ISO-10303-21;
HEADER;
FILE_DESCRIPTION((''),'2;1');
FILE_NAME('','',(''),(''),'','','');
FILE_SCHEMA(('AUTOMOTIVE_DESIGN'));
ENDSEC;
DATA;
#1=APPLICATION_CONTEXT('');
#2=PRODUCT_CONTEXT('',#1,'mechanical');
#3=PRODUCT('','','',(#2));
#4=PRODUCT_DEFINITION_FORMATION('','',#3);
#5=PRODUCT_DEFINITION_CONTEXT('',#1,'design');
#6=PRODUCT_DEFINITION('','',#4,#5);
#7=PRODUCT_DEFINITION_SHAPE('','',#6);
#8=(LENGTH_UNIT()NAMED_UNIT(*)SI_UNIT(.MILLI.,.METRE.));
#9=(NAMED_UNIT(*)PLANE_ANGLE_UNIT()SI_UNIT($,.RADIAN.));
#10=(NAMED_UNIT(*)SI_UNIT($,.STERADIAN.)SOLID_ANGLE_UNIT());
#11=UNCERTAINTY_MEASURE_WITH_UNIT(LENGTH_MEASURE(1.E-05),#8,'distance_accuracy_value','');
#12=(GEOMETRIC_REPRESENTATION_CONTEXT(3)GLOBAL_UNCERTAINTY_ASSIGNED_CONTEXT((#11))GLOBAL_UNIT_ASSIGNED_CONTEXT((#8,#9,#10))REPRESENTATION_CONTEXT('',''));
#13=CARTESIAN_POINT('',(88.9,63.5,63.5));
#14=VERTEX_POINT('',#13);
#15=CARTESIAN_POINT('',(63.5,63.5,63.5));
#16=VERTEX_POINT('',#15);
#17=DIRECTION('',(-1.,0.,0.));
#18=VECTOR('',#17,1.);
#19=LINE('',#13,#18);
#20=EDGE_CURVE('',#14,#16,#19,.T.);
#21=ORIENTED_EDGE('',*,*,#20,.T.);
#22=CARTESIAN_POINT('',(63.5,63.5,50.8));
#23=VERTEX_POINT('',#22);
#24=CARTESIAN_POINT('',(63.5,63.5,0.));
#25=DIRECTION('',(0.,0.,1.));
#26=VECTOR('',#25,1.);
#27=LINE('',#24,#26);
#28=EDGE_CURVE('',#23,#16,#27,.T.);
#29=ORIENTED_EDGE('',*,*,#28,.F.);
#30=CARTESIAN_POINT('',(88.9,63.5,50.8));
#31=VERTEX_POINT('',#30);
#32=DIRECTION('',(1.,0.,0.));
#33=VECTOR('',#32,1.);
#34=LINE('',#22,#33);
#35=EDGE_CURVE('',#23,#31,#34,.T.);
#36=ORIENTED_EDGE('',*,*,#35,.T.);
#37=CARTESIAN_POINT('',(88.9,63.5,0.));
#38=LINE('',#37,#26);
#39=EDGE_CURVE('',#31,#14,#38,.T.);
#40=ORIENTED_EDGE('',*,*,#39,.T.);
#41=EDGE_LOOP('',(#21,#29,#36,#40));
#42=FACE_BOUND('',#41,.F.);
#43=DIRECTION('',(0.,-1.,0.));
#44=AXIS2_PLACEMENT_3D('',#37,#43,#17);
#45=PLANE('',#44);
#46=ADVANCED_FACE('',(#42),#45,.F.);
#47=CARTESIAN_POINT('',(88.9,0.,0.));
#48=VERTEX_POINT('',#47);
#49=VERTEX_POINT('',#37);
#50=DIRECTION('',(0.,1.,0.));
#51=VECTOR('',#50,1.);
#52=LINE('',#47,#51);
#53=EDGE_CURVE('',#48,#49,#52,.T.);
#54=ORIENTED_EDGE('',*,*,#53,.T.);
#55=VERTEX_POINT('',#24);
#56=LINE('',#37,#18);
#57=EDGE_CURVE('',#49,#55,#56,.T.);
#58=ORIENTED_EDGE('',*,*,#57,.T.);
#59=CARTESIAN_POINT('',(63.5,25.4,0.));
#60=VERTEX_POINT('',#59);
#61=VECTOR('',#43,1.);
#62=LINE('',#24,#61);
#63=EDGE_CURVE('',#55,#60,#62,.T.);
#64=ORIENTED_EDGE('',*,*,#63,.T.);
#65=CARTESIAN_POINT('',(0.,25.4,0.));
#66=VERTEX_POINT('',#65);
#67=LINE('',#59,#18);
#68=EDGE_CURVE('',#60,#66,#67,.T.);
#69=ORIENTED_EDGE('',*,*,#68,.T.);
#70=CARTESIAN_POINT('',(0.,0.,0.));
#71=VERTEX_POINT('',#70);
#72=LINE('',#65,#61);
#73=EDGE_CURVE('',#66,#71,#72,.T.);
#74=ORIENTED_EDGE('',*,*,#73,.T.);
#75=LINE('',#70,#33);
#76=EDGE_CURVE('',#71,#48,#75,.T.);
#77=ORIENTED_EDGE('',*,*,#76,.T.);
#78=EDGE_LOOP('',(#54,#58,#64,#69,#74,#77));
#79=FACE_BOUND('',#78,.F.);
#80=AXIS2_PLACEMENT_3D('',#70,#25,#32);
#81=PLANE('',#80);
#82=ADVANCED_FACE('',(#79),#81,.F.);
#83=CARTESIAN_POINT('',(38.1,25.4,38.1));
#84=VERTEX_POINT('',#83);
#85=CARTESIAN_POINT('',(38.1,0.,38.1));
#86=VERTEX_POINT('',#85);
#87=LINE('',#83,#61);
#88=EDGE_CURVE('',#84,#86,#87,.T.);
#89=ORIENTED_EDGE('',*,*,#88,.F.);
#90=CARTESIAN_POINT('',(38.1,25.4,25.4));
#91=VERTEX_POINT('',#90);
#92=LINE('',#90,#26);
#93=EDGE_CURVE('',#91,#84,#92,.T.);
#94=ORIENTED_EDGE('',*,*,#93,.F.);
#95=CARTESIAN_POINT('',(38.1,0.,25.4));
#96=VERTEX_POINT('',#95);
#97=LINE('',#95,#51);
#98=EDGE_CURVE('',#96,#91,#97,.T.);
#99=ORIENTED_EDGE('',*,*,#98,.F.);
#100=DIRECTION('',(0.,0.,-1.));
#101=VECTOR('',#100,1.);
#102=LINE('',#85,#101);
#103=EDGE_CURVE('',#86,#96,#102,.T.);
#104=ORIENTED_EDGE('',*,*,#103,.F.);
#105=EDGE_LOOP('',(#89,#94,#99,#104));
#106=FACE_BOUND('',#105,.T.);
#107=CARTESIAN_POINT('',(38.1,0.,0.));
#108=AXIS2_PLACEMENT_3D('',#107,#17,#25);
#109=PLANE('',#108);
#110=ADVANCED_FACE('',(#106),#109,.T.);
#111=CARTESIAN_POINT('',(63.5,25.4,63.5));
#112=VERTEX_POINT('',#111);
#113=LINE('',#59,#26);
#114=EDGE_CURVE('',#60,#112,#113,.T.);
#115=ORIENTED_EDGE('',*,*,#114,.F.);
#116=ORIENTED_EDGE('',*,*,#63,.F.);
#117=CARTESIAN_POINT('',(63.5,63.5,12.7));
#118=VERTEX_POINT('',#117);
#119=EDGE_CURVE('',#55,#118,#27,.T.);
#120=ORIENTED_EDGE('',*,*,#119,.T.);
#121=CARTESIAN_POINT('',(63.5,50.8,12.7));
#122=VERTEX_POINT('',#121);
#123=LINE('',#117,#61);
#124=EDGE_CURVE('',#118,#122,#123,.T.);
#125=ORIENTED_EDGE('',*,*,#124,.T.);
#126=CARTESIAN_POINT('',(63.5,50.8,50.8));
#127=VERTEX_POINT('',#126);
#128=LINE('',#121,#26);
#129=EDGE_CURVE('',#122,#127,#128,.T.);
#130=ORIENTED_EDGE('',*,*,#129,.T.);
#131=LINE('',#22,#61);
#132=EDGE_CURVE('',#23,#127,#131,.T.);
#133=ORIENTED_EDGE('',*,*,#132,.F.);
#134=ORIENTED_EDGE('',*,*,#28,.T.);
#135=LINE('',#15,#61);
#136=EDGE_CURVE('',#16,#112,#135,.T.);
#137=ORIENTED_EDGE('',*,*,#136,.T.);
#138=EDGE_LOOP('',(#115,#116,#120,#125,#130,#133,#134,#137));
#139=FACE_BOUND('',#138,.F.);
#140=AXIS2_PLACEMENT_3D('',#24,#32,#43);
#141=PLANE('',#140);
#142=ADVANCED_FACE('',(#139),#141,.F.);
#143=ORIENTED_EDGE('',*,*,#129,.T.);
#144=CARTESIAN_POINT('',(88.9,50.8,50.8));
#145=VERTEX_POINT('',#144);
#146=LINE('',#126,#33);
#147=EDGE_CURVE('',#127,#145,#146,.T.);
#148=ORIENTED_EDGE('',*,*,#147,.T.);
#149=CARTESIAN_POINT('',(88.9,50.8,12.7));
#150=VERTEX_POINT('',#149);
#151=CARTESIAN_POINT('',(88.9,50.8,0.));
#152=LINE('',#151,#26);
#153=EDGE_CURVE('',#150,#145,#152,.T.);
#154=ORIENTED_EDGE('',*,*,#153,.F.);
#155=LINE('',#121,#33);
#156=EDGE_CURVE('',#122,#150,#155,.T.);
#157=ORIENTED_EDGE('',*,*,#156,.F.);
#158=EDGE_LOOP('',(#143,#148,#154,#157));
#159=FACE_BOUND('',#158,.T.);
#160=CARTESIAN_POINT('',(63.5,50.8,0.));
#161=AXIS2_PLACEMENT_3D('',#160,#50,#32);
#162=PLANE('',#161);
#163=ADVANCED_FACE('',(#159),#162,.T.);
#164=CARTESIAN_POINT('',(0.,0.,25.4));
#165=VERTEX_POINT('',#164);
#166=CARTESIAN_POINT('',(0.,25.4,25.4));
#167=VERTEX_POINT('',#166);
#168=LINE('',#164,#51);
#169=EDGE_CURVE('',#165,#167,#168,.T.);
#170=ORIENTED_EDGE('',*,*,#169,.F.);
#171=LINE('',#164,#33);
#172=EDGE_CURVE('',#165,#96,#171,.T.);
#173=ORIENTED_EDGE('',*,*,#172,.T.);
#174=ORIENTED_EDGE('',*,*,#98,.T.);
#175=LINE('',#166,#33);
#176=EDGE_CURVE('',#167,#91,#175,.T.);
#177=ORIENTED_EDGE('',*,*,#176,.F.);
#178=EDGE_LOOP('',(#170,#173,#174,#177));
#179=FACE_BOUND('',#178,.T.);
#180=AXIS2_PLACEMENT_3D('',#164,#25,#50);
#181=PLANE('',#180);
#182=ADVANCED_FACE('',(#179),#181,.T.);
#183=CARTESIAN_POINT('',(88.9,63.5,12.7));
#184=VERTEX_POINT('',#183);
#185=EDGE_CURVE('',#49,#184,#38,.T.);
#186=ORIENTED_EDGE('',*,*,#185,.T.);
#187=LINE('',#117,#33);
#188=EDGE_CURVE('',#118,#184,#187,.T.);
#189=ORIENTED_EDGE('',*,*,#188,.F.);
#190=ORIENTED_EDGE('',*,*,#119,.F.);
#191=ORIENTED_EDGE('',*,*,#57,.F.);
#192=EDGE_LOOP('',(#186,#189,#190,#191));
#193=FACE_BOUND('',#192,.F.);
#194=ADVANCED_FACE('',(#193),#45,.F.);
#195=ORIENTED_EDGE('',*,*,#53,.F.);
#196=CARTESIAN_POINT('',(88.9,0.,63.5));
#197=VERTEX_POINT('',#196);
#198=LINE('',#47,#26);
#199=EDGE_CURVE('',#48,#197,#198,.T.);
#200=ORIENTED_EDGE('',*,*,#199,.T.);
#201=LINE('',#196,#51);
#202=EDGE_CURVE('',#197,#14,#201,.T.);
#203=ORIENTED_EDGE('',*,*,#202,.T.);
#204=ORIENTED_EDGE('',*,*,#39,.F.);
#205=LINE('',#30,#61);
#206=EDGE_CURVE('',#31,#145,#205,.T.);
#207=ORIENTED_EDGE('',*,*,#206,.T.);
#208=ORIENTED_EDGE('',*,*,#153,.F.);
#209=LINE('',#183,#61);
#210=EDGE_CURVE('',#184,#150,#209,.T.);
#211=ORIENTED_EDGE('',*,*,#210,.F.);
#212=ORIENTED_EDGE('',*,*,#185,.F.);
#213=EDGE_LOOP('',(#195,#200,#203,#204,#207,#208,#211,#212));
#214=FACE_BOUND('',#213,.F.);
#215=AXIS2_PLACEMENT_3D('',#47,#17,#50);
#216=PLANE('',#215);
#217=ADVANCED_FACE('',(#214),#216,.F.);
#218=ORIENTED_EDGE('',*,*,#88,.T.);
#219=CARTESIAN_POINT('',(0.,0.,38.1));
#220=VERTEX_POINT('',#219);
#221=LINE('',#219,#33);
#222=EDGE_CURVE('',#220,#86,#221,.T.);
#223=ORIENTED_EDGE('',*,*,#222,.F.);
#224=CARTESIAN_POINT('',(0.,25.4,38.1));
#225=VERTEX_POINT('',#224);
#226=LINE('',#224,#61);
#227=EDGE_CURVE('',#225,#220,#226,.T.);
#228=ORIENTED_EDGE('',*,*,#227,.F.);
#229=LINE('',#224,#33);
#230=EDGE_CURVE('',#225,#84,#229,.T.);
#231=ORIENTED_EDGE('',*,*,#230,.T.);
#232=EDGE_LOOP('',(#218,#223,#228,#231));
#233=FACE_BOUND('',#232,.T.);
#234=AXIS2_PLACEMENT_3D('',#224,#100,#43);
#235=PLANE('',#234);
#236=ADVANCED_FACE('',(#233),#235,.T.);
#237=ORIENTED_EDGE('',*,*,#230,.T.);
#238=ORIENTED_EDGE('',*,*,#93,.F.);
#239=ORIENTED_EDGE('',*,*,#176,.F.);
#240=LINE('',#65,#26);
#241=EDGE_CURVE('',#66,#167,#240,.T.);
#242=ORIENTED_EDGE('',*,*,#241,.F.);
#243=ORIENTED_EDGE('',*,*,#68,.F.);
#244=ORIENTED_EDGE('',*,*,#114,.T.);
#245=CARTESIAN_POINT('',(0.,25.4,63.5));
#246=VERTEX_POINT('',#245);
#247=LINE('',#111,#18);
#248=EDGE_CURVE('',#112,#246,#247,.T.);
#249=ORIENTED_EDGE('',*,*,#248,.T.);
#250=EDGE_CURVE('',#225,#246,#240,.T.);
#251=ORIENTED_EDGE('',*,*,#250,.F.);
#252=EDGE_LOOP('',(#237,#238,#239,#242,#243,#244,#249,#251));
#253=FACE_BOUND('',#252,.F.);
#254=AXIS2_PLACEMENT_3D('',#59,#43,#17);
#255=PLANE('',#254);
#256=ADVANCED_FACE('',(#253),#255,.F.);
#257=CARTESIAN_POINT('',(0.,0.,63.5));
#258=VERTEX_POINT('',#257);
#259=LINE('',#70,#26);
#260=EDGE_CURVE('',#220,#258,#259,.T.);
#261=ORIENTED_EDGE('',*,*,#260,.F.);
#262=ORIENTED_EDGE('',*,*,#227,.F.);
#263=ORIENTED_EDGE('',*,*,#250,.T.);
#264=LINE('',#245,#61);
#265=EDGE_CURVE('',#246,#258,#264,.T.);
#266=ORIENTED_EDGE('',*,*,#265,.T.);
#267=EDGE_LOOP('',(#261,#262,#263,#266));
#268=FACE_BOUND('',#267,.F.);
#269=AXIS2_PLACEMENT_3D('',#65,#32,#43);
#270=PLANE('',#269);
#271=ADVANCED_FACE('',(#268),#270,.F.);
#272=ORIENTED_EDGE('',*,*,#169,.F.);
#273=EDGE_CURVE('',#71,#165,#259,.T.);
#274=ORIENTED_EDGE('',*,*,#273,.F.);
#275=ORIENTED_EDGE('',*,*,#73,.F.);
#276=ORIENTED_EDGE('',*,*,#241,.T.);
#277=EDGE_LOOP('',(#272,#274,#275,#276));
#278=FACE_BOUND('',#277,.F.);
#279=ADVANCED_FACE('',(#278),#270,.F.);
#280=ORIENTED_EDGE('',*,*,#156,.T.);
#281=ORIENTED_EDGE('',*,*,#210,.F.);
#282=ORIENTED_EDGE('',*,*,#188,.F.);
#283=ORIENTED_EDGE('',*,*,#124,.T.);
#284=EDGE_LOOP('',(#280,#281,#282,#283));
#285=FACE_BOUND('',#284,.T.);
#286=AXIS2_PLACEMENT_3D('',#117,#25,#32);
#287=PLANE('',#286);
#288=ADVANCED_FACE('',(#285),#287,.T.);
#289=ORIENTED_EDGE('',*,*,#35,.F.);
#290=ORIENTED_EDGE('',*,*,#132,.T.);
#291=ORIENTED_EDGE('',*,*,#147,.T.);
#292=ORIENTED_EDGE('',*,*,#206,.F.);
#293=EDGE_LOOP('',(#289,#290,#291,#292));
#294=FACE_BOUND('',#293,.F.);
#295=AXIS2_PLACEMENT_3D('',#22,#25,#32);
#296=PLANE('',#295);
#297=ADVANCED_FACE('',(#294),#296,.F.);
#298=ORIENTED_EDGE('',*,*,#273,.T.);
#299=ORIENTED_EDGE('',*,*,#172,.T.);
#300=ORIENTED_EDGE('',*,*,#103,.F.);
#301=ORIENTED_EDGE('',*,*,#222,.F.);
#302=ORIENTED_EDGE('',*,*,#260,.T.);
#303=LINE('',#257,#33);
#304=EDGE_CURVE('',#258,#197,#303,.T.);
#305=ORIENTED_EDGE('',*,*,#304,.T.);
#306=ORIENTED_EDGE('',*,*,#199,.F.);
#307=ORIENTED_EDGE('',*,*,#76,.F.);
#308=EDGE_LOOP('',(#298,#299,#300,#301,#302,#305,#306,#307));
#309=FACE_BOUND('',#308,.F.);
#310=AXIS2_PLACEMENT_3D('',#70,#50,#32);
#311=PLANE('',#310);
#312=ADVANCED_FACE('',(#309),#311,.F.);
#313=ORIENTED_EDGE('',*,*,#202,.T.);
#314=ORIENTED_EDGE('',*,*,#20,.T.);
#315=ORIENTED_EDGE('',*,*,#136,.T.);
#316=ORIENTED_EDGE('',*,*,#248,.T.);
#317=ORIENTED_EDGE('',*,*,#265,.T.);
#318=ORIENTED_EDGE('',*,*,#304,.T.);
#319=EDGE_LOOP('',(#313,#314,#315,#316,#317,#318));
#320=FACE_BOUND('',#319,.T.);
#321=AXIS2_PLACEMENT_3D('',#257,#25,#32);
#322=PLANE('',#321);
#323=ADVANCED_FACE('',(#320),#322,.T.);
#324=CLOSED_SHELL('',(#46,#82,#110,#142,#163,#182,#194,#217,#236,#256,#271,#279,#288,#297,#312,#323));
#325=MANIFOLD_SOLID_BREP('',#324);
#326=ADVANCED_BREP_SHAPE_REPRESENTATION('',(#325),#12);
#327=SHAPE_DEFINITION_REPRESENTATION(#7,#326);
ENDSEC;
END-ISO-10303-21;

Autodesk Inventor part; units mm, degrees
ref_plane "YZ Plane" through (0, 0, 0) normal (1, 0, 0) x (0, 1, 0)
ref_plane "XZ Plane" through (0, 0, 0) normal (0, 1, 0) x (-1, 0, 0)
ref_plane "XY Plane" through (0, 0, 0) normal (0, 0, 1) x (1, 0, 0)
sketch "Sketch1" plane through (0, 0, 0) normal (0, 0, 1) x (1, 0, 0)
  line L0 (0, 0) -> (88.9, 0)
  line L1 (88.9, 0) -> (88.9, 63.5)
  line L2 (88.9, 63.5) -> (63.5, 63.5)
  line L3 (63.5, 63.5) -> (63.5, 25.4)
  line L4 (63.5, 25.4) -> (0, 25.4)
  line L5 (0, 25.4) -> (0, 0)
  dimension "d0" = 88.9
  dimension "d1" = 63.5
  dimension "d2" = 25.4
  dimension "d3" = 38.1
extrude "Extrusion1" add sketch "Sketch1" along normal blind 63.5
sketch "Sketch2" plane through (63.5, 63.5, 0) normal (0, 1, 0) x (1, 0, 0)
  line L0 (25.4, 0) -> (25.4, -63.5) projected
  line L1 (25.4, 0) -> (0, 0)
  line L2 (0, 0) -> (0, -12.7)
  line L3 (0, -12.7) -> (25.4, -12.7)
  line L4 (25.4, -12.7) -> (25.4, 0)
  line L5 (25.4, -12.7) -> (0, -12.7)
  line L6 (0, -12.7) -> (0, -50.8)
  line L7 (0, -50.8) -> (25.4, -50.8)
  line L8 (25.4, -50.8) -> (25.4, -12.7)
  point P0 (-63.5, 0)
  dimension "d6" = 25.4
  dimension "d7" = 12.7
  dimension "d8" = 25.4
  dimension "d9" = 38.1
extrude "Extrusion2" cut sketch "Sketch2" against normal blind 12.7 contours L0 L7 L6 L3
sketch "Sketch3" plane through (0, 0, 0) normal (-1, 0, 0) x (0, 0, 1)
  line L0 (0, 0) -> (0, 63.5) projected
  line L1 (0, 0) -> (25.4, 0)
  line L2 (25.4, 0) -> (25.4, 25.4)
  line L3 (25.4, 25.4) -> (0, 25.4)
  line L4 (0, 25.4) -> (0, 0)
  line L5 (25.4, 25.4) -> (38.1, 25.4)
  line L6 (38.1, 25.4) -> (38.1, 0)
  line L7 (38.1, 0) -> (25.4, 0)
  line L8 (25.4, 0) -> (25.4, 25.4)
  dimension "d12" = 25.4
  dimension "d13" = 25.4
  dimension "d14" = 12.7
  dimension "d15" = 25.4
extrude "Extrusion3" cut sketch "Sketch3" against normal blind 38.1 contours L2 L5 L6 L7
properties part number "4.2 Part C"
